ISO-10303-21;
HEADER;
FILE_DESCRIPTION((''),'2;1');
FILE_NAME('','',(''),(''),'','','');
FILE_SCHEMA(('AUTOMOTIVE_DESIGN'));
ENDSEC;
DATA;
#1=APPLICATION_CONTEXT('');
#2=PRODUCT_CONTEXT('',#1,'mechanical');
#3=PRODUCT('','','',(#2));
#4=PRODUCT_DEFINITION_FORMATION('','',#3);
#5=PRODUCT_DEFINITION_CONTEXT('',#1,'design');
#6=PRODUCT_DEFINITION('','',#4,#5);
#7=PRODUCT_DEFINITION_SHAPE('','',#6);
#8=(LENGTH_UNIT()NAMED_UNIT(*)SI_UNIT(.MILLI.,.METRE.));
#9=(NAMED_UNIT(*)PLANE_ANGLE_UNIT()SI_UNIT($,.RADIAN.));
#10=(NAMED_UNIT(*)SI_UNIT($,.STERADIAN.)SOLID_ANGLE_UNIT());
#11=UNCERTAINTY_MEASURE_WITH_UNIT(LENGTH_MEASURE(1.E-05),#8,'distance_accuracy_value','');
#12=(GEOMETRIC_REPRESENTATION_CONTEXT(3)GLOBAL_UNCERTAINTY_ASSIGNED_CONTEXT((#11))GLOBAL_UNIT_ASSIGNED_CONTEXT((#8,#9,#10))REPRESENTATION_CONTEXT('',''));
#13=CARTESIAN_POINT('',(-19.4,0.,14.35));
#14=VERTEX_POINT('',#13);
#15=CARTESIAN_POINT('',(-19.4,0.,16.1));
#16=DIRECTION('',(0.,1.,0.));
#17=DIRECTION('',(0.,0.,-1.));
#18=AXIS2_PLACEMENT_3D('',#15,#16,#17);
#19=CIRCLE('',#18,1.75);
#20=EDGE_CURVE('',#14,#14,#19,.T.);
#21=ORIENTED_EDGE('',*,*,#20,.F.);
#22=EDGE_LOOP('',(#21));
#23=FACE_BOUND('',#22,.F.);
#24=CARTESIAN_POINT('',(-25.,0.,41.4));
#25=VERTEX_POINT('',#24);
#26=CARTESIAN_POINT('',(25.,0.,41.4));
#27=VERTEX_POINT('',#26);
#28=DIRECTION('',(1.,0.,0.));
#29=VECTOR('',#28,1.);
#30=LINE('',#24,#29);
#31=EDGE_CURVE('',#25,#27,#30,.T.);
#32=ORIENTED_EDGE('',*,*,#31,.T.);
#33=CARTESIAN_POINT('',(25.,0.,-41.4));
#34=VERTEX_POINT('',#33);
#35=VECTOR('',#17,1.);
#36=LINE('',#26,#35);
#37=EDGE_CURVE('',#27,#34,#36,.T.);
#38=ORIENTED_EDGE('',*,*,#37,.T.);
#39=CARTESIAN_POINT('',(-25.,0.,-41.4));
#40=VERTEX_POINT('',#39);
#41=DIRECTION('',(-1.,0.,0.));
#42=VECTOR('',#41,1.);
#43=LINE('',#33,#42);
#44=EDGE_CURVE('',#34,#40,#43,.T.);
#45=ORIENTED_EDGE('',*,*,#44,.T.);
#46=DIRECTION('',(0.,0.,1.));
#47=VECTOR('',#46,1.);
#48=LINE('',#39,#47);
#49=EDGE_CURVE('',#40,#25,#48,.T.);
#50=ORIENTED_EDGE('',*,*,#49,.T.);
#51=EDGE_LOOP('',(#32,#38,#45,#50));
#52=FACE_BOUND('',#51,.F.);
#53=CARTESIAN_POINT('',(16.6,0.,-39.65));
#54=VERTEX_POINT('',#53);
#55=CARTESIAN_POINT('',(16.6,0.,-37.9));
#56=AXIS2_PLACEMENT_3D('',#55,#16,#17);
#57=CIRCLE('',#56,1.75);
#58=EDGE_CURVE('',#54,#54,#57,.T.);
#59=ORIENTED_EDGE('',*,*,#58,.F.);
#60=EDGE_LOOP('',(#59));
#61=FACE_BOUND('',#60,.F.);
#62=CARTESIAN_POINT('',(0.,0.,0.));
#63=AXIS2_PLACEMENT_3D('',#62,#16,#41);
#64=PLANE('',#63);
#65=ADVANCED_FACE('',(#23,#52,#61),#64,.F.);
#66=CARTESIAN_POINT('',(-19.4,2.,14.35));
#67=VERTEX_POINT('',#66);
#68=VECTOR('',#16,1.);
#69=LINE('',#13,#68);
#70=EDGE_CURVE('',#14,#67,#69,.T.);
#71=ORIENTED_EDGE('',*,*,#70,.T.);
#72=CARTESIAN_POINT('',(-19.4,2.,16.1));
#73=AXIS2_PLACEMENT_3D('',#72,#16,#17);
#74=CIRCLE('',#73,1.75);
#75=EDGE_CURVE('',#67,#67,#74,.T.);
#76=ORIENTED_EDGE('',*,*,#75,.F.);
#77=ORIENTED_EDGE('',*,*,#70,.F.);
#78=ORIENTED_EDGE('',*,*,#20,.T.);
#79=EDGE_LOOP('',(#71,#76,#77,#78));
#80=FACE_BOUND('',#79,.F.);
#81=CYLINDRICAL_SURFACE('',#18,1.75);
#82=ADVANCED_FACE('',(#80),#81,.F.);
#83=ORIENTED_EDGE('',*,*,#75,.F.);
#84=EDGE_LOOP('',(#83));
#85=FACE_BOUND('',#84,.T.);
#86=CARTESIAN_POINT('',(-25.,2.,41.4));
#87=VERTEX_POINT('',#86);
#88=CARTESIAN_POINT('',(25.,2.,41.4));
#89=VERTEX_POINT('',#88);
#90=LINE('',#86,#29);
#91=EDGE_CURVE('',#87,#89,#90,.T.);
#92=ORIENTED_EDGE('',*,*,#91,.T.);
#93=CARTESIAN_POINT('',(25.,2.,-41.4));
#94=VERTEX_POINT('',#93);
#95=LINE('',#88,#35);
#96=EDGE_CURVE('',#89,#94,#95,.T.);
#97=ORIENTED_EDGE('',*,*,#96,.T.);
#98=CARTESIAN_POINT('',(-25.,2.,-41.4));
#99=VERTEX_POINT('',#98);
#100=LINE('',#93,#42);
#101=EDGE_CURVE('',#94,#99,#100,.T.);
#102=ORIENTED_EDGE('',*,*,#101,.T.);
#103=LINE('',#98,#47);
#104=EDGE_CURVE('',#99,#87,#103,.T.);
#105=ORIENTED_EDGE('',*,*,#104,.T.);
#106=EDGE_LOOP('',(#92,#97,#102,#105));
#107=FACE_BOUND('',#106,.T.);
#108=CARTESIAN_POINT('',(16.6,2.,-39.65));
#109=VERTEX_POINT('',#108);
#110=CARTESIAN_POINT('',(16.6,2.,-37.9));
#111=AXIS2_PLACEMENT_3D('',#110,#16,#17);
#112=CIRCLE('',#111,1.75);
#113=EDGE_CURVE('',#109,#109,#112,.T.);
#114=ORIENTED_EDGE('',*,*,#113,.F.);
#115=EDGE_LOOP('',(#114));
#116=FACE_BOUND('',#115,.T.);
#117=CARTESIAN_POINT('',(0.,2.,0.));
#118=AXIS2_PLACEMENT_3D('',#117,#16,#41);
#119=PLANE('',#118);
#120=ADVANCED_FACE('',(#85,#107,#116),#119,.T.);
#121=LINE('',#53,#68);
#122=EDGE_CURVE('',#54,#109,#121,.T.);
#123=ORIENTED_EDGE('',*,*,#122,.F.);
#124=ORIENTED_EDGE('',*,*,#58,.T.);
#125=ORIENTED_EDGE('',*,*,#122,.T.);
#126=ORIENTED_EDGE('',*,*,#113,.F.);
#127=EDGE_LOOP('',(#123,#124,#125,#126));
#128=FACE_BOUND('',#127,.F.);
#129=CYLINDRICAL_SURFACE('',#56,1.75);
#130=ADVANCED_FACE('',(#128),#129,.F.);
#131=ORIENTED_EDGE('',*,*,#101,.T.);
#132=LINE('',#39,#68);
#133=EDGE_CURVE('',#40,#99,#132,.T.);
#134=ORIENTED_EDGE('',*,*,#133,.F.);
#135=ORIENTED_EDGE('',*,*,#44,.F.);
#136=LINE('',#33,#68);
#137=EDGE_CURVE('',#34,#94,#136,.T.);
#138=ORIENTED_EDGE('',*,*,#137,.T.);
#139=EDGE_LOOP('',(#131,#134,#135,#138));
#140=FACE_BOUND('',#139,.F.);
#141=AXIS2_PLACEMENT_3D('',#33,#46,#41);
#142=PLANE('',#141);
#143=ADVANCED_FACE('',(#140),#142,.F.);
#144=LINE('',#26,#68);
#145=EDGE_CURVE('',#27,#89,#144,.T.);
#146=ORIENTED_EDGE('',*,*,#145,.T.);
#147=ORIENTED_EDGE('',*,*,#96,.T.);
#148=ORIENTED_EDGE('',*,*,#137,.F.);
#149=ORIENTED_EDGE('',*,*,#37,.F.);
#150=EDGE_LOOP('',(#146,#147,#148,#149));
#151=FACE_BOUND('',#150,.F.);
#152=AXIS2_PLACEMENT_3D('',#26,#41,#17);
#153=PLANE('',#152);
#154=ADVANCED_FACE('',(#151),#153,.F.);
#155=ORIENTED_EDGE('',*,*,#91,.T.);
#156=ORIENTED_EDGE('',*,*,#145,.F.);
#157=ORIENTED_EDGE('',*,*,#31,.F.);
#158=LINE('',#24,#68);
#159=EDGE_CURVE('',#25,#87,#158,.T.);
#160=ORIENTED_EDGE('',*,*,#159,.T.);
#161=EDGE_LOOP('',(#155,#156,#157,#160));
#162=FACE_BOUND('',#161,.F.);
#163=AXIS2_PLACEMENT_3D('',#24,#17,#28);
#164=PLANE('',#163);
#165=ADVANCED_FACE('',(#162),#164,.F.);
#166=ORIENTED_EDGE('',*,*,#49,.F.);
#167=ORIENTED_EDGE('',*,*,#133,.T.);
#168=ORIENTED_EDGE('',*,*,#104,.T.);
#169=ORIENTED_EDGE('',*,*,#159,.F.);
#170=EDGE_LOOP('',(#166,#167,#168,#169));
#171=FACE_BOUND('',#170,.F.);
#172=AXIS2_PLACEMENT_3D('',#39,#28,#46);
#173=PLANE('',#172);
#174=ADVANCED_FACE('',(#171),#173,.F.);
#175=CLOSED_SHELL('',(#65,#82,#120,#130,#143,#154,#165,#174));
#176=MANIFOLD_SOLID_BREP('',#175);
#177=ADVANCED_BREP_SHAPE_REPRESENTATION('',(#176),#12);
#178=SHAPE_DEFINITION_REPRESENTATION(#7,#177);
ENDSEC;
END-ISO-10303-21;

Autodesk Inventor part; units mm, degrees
ref_plane "YZ Plane" through (0, 0, 0) normal (1, 0, 0) x (0, 1, 0)
ref_plane "XZ Plane" through (0, 0, 0) normal (0, 1, 0) x (-1, 0, 0)
ref_plane "XY Plane" through (0, 0, 0) normal (0, 0, 1) x (1, 0, 0)
sketch "Szkic1" plane through (0, 0, 0) normal (0, 1, 0) x (-1, 0, 0)
  line L0 (-25, -41.4) -> (25, -41.4)
  line L1 (25, -41.4) -> (25, 41.4)
  line L2 (25, 41.4) -> (-25, 41.4)
  line L3 (-25, 41.4) -> (-25, -41.4)
  line L4 (-25, -41.4) -> (25, 41.4) construction
  line L5 (25, -41.4) -> (-25, 41.4) construction
  point P0 (0, 0)
  dimension "d0" = 50
  dimension "d1" = 82.8
extrude "Wyciągnięcie proste1" add sketch "Szkic1" along normal blind 2
sketch "Szkic3" plane through (0, 0, 0) normal (0, -1, 0) x (1, 0, 0)
  circle A0 centre (-19.4, 16.1) radius 1.75 projected
  circle A1 centre (16.6, -37.9) radius 1.75 projected
  line L0 (20.1, -41.4) -> (-25, -41.4) projected
  line L1 (20.1, 41.4) -> (20.1, -41.4) projected
  line L2 (-25, 41.4) -> (20.1, 41.4) projected
  line L3 (-25, -41.4) -> (-25, 41.4) projected
  point P0 (0, 0)
hole "Otwór1" at (16.6, 0, -37.9) at (-19.4, 0, 16.1) direction (0, 1, 0) diameter 3.5 end through all
properties part number "blacha pion rbc"
